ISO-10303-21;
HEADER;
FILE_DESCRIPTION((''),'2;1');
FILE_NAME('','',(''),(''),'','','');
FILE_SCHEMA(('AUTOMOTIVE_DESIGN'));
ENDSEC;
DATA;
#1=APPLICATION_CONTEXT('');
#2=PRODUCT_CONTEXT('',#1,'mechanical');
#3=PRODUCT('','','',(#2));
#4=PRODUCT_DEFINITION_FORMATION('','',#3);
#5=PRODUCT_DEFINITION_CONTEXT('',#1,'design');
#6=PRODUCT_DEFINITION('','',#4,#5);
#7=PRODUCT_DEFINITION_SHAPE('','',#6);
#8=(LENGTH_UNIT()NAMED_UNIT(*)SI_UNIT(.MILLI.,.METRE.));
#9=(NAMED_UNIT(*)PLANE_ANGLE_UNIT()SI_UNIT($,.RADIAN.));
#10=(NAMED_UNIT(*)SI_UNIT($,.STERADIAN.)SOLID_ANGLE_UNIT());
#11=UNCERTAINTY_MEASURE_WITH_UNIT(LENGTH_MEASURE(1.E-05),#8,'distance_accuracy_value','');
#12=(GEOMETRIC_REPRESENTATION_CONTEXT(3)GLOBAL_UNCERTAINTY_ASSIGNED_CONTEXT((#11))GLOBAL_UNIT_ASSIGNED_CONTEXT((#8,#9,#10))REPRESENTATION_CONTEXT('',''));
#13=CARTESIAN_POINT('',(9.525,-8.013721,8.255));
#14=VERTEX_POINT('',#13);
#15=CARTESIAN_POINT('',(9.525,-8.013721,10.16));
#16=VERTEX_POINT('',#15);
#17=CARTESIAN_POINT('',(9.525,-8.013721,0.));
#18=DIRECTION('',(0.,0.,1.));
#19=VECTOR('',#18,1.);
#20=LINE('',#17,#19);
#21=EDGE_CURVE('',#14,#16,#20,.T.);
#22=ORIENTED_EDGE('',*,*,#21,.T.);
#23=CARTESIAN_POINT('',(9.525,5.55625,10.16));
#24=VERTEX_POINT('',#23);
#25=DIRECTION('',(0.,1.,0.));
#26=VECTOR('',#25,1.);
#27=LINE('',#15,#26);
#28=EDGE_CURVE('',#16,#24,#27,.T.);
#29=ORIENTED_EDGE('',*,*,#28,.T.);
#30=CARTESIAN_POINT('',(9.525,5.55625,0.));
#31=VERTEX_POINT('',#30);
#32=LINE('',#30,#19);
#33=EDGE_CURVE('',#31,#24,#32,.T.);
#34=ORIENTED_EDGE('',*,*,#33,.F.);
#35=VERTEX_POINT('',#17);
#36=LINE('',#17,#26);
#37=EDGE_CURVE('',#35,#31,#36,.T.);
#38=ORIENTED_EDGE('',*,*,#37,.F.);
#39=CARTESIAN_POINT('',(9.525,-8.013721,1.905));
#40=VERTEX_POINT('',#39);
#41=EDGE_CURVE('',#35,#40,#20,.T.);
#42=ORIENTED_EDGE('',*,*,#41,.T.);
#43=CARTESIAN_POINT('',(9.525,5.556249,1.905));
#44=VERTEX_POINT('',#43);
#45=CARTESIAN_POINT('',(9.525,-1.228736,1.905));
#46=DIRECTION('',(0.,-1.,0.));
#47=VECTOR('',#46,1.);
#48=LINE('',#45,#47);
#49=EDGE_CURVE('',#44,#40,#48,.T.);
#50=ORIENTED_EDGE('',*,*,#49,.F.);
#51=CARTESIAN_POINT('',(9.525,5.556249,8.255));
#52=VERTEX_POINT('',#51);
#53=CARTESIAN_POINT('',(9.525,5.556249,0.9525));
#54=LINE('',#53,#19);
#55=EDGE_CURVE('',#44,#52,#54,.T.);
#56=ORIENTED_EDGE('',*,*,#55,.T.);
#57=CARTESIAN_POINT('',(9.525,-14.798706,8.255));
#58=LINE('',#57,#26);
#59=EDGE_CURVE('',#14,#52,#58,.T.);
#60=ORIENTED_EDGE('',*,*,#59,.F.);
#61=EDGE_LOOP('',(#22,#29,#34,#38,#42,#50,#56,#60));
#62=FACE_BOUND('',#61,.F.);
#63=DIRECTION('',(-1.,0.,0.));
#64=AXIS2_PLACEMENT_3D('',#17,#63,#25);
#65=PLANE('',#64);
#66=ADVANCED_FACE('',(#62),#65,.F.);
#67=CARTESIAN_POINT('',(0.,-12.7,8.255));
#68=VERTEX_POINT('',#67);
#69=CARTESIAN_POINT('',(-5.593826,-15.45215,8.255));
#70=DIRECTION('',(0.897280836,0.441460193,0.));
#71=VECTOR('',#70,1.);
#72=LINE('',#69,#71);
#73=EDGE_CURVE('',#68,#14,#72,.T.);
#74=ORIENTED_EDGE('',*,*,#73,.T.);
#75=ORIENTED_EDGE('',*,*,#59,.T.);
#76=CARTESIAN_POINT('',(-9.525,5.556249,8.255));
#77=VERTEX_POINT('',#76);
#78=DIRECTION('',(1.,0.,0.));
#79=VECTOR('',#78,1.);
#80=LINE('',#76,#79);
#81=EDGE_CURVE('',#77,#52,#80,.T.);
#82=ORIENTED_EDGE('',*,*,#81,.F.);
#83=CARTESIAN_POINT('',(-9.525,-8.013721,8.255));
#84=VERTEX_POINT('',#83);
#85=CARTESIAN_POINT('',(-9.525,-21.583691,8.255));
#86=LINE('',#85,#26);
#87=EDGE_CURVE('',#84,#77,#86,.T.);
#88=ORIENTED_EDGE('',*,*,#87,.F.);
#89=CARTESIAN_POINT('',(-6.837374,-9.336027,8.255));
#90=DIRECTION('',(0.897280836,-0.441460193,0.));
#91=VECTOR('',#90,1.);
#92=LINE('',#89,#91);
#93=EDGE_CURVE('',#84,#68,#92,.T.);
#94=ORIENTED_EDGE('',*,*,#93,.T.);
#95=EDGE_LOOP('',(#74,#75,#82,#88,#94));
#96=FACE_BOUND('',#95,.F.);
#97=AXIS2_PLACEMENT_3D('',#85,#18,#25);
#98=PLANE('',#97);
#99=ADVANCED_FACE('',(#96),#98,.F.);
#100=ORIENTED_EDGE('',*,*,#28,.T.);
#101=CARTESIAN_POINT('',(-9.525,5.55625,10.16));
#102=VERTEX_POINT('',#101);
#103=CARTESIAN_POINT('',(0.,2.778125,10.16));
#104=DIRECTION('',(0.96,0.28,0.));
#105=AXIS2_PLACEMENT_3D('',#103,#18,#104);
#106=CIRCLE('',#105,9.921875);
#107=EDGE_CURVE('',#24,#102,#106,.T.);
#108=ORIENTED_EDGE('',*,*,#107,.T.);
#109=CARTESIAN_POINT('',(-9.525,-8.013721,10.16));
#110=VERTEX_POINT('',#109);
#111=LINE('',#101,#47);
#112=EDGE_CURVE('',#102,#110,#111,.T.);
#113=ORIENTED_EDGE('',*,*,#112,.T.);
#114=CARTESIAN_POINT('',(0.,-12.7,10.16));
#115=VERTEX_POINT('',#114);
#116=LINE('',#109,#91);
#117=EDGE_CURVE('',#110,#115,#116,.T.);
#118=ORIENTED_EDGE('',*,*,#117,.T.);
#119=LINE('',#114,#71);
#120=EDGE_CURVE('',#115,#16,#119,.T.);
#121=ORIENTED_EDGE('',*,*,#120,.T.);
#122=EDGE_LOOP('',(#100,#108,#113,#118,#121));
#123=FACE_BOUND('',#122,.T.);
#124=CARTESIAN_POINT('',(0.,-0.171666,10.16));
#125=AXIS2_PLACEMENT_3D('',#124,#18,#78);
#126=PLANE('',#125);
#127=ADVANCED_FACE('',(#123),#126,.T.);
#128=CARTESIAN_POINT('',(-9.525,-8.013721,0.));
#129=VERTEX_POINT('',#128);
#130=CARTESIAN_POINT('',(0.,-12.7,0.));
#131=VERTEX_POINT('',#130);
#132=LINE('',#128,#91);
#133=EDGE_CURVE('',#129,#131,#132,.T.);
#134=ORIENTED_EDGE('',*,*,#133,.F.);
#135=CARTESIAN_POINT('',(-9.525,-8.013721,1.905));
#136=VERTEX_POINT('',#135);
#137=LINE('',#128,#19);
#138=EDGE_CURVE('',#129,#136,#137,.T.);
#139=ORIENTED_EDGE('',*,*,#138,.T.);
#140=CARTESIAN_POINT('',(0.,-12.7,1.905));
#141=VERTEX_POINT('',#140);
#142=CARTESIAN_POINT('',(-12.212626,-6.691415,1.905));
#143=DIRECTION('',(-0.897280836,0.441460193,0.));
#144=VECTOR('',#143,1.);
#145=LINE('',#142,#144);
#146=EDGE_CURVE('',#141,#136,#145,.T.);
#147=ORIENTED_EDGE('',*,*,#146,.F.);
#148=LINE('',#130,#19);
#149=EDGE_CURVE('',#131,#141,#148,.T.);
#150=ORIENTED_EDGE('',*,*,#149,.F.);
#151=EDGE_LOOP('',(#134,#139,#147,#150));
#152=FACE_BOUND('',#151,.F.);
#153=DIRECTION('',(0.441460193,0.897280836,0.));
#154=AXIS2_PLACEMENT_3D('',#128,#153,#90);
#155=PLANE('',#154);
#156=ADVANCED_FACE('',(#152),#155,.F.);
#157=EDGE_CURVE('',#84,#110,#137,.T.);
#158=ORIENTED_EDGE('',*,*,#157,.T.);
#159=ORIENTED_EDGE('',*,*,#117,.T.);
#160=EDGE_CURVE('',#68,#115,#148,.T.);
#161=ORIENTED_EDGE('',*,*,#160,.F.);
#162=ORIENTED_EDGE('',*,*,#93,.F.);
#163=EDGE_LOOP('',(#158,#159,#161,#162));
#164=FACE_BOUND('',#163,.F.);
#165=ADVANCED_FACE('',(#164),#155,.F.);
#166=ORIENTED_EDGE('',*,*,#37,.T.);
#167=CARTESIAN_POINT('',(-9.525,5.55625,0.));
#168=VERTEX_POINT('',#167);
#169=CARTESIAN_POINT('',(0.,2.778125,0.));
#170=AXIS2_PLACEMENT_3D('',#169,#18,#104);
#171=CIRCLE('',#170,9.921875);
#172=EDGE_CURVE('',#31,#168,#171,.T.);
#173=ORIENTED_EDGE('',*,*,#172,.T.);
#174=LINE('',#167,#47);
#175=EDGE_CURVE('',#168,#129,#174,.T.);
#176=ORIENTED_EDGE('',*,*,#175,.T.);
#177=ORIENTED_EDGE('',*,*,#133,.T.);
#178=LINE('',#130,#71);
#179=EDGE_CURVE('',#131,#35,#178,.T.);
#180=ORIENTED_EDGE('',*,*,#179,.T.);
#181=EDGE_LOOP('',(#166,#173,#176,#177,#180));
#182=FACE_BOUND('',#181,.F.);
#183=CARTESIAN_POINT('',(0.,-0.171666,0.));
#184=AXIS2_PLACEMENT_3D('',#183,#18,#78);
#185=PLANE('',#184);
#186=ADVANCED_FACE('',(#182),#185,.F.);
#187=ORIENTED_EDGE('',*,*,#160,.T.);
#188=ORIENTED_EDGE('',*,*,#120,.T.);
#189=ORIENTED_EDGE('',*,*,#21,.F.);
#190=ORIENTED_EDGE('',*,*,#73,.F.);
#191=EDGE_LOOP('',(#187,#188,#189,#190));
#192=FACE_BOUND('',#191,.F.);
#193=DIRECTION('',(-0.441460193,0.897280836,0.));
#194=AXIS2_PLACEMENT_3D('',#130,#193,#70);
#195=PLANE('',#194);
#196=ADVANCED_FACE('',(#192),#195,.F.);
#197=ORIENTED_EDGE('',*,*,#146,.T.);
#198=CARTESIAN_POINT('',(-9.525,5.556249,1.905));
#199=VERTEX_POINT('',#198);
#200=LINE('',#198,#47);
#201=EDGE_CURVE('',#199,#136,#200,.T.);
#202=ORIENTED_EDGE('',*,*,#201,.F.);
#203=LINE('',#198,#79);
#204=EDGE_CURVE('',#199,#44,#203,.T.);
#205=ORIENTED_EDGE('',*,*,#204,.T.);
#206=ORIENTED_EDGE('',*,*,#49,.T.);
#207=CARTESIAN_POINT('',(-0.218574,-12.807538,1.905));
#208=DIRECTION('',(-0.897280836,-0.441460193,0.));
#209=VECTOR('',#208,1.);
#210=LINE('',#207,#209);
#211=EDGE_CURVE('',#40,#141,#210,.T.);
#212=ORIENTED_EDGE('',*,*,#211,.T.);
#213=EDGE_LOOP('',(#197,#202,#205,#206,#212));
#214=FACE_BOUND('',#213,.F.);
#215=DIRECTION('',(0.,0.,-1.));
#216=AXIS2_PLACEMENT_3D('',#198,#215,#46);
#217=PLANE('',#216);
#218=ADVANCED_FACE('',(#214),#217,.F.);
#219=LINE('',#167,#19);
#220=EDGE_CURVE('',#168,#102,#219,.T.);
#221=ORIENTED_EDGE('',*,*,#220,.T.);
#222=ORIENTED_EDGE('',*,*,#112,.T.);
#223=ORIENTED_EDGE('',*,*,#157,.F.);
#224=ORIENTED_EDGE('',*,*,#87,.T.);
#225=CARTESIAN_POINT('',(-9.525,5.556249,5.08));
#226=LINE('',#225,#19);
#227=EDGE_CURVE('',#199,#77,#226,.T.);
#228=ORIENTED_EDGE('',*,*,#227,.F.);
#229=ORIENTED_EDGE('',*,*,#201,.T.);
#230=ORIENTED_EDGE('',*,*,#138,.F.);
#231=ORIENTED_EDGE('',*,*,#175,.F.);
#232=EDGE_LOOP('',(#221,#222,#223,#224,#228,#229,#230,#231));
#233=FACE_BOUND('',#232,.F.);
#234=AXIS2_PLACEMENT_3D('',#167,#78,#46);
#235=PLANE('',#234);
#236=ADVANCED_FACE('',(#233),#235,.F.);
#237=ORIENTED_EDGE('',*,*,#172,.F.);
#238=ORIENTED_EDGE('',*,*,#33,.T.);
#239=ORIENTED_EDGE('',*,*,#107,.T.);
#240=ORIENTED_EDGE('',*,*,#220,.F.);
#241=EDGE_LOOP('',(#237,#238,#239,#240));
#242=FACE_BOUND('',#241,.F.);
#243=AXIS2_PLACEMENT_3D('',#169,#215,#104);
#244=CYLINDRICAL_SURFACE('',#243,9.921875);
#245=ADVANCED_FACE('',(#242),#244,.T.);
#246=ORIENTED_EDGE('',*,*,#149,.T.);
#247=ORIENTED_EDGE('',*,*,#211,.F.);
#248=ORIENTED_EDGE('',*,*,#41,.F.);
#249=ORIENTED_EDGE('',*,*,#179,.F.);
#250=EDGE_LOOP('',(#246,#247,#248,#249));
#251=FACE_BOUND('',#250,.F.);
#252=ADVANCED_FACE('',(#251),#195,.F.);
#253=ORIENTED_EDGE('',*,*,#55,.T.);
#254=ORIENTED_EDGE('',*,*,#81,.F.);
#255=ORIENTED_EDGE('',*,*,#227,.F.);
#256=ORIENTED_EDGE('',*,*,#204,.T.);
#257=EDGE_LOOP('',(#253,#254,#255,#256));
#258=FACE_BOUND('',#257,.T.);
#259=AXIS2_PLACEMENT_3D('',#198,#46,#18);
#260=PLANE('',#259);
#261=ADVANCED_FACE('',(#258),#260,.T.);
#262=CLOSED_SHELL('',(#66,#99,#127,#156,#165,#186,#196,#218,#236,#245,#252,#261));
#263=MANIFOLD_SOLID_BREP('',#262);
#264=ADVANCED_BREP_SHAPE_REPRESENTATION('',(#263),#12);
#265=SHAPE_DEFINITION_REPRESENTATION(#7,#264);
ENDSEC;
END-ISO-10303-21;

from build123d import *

# Parameters (mm, degrees)
F1_DEPTH = 10.16
F2_W     = 13.56997
F2_H     = 6.35
F2_W_2   = 13.569971
F3_DEPTH = 25.4


with BuildPart() as f1:
    # F0 (on Top) → F1 (new body)
    with BuildSketch(Plane.XY):
        with BuildLine():
            ThreePointArc((9.525, 5.55625), (0, 12.7), (-9.525, 5.55625))
            Line((-9.525, 5.55625), (-9.525, -8.013721))
            Line((-9.525, -8.013721), (0, -12.7))
            Line((0, -12.7), (9.525, -8.013721))
            Line((9.525, -8.013721), (9.525, 5.55625))
        make_face()
    extrude(amount=F1_DEPTH)

    # F2 (on face) → F3 (cut)
    with BuildSketch(Plane(origin=(-9.525, 0, 0), x_dir=(0, -1, 0), z_dir=(-1, 0, 0))):
        with Locations((14.798706, 5.08)):
            Rectangle(F2_W, F2_H)
        with Locations((1.228736, 5.08)):
            Rectangle(F2_W_2, F2_H)
    extrude(amount=-F3_DEPTH, mode=Mode.SUBTRACT)


solid = f1.part
